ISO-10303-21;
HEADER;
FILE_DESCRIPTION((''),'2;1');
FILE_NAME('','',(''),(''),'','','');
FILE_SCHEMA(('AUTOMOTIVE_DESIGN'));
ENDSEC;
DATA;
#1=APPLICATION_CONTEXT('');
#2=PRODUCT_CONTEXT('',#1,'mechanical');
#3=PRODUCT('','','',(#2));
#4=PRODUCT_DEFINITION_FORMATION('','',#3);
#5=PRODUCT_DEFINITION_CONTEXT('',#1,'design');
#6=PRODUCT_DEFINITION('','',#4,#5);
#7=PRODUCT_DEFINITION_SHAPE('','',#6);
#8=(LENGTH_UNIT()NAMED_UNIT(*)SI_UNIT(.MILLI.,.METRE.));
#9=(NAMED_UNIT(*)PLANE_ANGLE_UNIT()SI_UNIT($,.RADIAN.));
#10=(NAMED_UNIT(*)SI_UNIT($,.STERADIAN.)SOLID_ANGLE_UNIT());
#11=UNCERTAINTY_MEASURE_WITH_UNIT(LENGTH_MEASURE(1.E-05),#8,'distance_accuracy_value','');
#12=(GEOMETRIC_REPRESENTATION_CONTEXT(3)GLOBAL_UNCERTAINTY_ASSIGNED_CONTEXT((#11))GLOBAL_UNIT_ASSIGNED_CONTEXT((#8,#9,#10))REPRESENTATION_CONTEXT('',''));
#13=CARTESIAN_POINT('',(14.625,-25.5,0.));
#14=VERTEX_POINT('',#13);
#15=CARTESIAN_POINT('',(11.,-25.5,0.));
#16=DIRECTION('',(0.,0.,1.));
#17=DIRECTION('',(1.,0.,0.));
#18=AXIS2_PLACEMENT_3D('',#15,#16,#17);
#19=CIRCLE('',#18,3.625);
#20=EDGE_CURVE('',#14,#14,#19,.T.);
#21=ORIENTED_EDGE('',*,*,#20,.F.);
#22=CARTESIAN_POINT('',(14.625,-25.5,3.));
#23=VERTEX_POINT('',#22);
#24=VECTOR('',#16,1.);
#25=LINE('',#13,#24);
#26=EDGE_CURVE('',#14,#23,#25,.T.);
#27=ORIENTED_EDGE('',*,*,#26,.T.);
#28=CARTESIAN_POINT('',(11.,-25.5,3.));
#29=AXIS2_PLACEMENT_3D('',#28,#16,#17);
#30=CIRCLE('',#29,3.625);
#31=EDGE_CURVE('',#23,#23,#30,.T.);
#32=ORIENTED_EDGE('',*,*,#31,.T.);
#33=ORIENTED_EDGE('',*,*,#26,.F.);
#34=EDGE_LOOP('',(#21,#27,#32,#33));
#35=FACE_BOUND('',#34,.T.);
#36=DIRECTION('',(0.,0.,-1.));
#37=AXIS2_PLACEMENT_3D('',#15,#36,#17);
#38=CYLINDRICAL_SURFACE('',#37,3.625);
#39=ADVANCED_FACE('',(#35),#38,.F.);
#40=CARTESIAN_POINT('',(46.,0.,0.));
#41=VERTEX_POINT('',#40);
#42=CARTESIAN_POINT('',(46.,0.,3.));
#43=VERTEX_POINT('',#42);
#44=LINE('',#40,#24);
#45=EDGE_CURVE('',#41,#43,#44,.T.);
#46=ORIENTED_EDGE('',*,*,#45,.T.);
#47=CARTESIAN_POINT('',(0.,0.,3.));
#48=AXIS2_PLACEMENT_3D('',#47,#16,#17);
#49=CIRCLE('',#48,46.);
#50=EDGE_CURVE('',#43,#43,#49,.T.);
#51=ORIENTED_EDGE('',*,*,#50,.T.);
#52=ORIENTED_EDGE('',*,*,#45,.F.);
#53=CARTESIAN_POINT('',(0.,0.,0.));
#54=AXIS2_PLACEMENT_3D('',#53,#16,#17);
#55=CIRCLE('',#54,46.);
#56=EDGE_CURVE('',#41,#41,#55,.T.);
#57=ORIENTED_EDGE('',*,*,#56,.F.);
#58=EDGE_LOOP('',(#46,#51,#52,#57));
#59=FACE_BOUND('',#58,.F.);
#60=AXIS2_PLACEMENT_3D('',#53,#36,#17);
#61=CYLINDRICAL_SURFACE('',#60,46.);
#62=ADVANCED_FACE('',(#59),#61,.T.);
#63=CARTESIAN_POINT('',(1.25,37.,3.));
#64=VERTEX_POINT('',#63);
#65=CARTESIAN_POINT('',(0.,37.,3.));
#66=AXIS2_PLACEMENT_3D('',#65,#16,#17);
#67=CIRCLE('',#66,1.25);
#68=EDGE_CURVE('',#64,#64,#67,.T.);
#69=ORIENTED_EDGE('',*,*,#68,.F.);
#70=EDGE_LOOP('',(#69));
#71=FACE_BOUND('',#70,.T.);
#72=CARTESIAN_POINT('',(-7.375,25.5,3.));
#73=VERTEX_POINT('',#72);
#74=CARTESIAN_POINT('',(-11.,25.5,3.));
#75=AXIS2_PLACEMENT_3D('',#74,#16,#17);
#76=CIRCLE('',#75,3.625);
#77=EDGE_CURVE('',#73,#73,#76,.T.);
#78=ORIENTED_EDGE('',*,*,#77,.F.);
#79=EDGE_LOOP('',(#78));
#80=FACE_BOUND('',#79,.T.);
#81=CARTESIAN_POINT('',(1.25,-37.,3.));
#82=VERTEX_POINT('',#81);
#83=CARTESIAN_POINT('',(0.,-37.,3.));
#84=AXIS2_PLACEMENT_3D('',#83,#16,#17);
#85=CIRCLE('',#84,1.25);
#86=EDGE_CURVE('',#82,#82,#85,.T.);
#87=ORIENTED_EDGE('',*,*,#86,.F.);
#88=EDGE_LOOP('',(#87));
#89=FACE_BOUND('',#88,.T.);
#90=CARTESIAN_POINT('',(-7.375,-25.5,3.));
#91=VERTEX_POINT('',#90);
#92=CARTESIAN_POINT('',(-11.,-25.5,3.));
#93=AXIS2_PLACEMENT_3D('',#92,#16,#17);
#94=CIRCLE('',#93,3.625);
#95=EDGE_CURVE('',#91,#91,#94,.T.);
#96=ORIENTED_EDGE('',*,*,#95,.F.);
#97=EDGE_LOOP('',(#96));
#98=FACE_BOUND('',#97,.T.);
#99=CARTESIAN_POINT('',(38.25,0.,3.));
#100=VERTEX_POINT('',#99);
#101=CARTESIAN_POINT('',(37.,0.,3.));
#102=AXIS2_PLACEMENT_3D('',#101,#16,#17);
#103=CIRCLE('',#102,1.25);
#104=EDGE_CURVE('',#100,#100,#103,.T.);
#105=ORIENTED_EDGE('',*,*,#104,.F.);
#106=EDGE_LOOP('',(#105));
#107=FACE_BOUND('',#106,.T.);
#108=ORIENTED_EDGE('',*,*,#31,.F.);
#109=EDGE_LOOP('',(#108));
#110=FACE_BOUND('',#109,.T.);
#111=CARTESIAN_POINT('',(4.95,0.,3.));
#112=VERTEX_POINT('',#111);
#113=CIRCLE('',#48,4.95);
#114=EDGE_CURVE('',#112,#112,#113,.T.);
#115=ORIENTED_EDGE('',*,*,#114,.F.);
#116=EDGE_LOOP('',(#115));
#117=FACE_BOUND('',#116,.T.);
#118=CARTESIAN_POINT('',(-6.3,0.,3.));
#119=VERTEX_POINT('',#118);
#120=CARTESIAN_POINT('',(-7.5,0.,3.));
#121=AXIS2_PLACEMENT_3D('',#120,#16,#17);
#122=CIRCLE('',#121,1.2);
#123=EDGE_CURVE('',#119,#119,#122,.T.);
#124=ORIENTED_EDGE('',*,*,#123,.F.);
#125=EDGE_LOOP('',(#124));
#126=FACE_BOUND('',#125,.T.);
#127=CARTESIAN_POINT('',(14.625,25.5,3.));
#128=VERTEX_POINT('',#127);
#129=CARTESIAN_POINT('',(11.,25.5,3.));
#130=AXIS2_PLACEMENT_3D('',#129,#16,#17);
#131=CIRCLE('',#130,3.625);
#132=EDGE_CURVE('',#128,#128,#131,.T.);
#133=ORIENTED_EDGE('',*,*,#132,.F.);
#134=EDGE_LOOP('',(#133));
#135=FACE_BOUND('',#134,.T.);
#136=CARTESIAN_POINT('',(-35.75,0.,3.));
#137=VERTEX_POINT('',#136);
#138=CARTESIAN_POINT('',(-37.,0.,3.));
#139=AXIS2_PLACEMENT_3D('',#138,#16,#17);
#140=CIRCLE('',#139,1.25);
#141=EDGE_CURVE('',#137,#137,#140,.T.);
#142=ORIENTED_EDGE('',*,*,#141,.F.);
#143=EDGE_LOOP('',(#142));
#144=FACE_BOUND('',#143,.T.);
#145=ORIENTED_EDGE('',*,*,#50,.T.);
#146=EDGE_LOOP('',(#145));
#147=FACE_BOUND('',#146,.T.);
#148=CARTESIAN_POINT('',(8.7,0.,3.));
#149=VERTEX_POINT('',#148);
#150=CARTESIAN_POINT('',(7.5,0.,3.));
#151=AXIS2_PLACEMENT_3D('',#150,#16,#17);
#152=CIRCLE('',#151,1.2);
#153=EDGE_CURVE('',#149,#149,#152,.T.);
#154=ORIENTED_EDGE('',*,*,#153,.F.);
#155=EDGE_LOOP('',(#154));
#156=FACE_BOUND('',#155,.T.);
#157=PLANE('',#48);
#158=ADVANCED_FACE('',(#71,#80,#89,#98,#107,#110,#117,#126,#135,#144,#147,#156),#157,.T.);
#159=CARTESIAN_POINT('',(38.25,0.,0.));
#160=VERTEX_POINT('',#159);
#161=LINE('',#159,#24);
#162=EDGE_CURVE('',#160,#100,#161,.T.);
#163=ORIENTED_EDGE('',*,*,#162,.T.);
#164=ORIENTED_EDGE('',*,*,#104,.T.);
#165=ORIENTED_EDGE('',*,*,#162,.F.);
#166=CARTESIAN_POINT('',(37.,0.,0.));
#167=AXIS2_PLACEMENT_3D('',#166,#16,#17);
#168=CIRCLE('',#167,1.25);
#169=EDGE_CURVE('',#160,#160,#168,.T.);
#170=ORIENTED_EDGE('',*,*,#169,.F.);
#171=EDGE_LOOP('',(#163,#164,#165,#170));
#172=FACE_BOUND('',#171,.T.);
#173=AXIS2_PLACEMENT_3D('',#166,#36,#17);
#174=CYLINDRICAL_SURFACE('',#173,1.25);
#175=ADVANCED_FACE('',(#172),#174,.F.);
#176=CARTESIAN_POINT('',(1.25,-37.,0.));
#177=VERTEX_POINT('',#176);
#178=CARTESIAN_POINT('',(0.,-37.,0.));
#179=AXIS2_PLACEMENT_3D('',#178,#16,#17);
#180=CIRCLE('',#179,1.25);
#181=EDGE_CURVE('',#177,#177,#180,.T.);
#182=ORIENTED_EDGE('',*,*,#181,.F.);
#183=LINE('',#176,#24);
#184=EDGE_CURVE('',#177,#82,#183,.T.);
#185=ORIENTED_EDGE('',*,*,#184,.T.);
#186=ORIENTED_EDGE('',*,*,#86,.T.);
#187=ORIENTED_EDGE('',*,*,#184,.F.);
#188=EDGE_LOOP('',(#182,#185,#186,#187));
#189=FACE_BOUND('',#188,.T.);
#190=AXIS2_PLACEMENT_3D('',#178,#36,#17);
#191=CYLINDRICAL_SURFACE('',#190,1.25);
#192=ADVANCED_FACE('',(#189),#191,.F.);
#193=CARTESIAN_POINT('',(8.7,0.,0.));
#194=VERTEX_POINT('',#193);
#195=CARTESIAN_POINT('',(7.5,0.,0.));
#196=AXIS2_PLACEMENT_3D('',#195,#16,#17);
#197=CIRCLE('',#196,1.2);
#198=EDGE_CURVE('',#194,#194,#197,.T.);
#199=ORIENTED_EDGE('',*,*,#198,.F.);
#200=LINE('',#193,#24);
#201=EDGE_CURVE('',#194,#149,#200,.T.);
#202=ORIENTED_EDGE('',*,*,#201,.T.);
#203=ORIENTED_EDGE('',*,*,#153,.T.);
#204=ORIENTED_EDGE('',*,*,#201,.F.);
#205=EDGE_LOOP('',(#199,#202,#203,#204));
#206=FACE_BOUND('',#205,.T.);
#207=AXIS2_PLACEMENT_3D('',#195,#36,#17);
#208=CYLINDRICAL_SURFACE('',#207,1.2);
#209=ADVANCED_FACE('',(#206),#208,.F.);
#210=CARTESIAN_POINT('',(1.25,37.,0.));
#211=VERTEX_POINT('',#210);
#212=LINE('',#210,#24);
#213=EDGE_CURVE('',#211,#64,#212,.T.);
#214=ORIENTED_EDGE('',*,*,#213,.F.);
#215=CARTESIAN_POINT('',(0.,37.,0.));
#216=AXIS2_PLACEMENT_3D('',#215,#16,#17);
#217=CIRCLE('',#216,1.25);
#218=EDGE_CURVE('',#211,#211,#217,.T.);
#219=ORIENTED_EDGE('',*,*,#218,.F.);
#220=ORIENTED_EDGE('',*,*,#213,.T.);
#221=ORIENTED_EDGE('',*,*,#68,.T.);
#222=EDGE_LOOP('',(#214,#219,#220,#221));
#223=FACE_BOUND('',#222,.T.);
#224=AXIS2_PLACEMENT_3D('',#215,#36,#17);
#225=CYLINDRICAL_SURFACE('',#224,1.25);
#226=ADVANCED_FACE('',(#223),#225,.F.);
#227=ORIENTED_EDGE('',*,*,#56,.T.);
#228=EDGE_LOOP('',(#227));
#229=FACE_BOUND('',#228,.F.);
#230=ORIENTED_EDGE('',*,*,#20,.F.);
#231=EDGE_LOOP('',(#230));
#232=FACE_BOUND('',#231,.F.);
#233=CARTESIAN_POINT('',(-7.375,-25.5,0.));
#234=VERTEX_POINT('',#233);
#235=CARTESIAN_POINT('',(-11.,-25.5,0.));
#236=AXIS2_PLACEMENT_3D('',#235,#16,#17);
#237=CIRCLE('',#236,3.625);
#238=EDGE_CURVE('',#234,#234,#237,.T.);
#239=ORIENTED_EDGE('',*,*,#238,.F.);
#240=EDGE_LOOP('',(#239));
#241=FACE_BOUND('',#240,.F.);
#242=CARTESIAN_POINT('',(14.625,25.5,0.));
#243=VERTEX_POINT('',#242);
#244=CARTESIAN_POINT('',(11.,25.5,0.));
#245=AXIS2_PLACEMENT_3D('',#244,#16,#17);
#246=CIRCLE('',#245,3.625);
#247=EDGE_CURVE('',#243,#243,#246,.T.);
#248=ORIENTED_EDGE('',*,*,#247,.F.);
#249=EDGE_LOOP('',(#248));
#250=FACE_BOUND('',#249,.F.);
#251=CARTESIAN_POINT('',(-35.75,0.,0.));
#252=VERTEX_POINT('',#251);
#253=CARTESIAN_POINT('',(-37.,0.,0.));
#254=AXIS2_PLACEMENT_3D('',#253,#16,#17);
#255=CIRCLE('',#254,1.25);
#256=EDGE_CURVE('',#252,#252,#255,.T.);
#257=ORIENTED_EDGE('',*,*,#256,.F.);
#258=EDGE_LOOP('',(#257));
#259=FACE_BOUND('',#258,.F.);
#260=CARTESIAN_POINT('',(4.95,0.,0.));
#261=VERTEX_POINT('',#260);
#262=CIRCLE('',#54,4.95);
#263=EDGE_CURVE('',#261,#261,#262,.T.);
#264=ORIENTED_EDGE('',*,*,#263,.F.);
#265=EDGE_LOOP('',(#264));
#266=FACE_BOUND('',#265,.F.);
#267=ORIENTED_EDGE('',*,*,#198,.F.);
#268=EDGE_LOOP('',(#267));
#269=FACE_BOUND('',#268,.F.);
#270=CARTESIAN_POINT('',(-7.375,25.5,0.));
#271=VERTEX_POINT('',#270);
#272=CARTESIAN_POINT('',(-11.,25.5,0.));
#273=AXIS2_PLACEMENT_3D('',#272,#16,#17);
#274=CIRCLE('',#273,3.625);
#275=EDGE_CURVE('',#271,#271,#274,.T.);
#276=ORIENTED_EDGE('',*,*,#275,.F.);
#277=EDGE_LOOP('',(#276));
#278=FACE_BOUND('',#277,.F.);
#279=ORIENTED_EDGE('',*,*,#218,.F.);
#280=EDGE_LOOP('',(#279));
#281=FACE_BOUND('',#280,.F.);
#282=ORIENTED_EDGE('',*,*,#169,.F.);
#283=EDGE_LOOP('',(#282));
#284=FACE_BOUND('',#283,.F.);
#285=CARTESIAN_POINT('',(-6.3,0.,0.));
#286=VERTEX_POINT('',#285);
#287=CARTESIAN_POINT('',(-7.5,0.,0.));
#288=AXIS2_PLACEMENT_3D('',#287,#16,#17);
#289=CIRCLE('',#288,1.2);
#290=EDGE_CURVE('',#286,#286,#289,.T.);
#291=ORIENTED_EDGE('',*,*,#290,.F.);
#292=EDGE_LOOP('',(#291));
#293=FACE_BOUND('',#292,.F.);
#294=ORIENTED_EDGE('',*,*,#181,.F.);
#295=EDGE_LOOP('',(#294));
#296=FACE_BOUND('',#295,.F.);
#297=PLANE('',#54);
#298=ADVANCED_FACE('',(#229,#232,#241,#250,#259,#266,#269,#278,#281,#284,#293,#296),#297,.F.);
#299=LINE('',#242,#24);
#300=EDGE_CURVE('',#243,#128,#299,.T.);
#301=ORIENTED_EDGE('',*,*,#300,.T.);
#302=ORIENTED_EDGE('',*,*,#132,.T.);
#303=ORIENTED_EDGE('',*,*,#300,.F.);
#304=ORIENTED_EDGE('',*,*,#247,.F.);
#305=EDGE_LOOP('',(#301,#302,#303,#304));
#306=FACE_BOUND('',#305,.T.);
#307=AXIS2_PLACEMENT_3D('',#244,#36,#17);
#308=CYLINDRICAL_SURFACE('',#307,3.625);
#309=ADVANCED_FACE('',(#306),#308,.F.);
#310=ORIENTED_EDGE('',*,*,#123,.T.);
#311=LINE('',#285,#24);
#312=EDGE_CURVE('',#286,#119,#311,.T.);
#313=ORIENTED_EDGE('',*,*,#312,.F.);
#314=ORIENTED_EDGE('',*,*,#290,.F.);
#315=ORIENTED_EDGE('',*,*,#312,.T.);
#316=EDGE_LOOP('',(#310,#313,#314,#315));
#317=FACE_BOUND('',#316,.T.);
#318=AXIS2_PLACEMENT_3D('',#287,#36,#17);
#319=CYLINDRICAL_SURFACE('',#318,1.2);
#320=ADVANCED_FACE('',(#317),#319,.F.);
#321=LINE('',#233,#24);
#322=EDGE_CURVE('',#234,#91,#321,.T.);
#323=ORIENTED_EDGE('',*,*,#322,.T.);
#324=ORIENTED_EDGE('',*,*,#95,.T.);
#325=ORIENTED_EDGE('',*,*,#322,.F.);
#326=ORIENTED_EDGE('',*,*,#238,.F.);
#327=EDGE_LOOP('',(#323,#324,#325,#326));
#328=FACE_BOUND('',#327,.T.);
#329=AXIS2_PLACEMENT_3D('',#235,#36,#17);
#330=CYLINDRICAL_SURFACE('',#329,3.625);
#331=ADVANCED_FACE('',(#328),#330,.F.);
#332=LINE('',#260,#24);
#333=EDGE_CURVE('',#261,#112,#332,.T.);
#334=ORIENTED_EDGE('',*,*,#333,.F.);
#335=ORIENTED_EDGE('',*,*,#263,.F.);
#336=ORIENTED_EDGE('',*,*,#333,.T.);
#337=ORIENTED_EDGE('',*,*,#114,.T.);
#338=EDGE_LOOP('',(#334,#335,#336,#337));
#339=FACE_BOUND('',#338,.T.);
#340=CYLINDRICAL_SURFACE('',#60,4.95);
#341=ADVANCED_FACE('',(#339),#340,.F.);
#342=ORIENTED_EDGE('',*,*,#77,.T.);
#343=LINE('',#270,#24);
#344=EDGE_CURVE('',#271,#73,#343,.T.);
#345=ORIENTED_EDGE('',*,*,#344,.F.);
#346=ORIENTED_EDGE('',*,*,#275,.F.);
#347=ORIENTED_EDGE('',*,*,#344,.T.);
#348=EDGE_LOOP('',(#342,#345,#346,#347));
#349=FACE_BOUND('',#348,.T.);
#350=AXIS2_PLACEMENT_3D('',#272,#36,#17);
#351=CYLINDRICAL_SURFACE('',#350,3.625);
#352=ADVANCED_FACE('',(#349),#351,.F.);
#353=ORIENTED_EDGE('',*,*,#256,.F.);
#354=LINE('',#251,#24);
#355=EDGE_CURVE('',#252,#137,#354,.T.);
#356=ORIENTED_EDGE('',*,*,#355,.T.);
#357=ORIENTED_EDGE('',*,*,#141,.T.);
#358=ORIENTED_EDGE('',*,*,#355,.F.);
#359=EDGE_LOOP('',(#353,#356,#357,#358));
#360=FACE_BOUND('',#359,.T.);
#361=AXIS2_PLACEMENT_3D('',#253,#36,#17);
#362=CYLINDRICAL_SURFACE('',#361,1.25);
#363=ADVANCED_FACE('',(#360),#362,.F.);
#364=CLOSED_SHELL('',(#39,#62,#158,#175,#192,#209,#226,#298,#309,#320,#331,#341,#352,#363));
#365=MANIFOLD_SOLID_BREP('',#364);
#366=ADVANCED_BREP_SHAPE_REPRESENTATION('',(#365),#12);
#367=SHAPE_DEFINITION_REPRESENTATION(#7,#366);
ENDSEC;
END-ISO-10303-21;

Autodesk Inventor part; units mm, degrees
ref_plane "YZ Plane" through (0, 0, 0) normal (1, 0, 0) x (0, 1, 0)
ref_plane "XZ Plane" through (0, 0, 0) normal (0, 1, 0) x (-1, 0, 0)
ref_plane "XY Plane" through (0, 0, 0) normal (0, 0, 1) x (1, 0, 0)
sketch "Sketch1" plane through (0, 0, 0) normal (0, 0, 1) x (1, 0, 0)
  circle A0 centre (0, 0) radius 46
  circle A1 centre (0, 0) radius 4.95
  circle A2 centre (0, 0) radius 37 construction
  circle A3 centre (0, 37) radius 1.25
  circle A4 centre (37, 0) radius 1.25
  circle A5 centre (0, -37) radius 1.25
  circle A6 centre (-37, 0) radius 1.25
  line L0 (0, 0) -> (0, 25.5) construction
  line L1 (0, 25.5) -> (11, 25.5) construction
  circle A7 centre (11, 25.5) radius 3.625
  line L2 (11, 25.5) -> (-11, 25.5) construction
  line L3 (-11, 25.5) -> (-11, -25.5) construction
  line L4 (-11, -25.5) -> (11, -25.5) construction
  line L5 (11, -25.5) -> (11, 25.5) construction
  circle A8 centre (-11, 25.5) radius 3.625
  circle A9 centre (-11, -25.5) radius 3.625
  circle A10 centre (11, -25.5) radius 3.625
  line L6 (0, 0) -> (-7.5, 0) construction
  line L7 (-7.5, 0) -> (7.5, 0) construction
  circle A11 centre (-7.5, 0) radius 1.2
  circle A12 centre (7.5, 0) radius 1.2
  point P0 (46, 0)
  dimension "d0" = 92
  dimension "d1" = 9.9
  dimension "d4" = 74
  dimension "d5" = 2.5
  dimension "d6" = 2.5
  dimension "d7" = 2.5
  dimension "d8" = 2.5
  dimension "d9" = 25.5
  dimension "d10" = 11
  dimension "d11" = 7.25
  dimension "d12" = 22
  dimension "d13" = 51
  dimension "d14" = 7.5
  dimension "d16" = 2.4
  dimension "d17" = 2.4
  dimension "d18" = 7.25
  dimension "d19" = 7.25
  dimension "d20" = 7.25
  dimension "d21" = 7.5
extrude "Extrusion1" add sketch "Sketch1" along normal blind 3
properties part number "Base3"
